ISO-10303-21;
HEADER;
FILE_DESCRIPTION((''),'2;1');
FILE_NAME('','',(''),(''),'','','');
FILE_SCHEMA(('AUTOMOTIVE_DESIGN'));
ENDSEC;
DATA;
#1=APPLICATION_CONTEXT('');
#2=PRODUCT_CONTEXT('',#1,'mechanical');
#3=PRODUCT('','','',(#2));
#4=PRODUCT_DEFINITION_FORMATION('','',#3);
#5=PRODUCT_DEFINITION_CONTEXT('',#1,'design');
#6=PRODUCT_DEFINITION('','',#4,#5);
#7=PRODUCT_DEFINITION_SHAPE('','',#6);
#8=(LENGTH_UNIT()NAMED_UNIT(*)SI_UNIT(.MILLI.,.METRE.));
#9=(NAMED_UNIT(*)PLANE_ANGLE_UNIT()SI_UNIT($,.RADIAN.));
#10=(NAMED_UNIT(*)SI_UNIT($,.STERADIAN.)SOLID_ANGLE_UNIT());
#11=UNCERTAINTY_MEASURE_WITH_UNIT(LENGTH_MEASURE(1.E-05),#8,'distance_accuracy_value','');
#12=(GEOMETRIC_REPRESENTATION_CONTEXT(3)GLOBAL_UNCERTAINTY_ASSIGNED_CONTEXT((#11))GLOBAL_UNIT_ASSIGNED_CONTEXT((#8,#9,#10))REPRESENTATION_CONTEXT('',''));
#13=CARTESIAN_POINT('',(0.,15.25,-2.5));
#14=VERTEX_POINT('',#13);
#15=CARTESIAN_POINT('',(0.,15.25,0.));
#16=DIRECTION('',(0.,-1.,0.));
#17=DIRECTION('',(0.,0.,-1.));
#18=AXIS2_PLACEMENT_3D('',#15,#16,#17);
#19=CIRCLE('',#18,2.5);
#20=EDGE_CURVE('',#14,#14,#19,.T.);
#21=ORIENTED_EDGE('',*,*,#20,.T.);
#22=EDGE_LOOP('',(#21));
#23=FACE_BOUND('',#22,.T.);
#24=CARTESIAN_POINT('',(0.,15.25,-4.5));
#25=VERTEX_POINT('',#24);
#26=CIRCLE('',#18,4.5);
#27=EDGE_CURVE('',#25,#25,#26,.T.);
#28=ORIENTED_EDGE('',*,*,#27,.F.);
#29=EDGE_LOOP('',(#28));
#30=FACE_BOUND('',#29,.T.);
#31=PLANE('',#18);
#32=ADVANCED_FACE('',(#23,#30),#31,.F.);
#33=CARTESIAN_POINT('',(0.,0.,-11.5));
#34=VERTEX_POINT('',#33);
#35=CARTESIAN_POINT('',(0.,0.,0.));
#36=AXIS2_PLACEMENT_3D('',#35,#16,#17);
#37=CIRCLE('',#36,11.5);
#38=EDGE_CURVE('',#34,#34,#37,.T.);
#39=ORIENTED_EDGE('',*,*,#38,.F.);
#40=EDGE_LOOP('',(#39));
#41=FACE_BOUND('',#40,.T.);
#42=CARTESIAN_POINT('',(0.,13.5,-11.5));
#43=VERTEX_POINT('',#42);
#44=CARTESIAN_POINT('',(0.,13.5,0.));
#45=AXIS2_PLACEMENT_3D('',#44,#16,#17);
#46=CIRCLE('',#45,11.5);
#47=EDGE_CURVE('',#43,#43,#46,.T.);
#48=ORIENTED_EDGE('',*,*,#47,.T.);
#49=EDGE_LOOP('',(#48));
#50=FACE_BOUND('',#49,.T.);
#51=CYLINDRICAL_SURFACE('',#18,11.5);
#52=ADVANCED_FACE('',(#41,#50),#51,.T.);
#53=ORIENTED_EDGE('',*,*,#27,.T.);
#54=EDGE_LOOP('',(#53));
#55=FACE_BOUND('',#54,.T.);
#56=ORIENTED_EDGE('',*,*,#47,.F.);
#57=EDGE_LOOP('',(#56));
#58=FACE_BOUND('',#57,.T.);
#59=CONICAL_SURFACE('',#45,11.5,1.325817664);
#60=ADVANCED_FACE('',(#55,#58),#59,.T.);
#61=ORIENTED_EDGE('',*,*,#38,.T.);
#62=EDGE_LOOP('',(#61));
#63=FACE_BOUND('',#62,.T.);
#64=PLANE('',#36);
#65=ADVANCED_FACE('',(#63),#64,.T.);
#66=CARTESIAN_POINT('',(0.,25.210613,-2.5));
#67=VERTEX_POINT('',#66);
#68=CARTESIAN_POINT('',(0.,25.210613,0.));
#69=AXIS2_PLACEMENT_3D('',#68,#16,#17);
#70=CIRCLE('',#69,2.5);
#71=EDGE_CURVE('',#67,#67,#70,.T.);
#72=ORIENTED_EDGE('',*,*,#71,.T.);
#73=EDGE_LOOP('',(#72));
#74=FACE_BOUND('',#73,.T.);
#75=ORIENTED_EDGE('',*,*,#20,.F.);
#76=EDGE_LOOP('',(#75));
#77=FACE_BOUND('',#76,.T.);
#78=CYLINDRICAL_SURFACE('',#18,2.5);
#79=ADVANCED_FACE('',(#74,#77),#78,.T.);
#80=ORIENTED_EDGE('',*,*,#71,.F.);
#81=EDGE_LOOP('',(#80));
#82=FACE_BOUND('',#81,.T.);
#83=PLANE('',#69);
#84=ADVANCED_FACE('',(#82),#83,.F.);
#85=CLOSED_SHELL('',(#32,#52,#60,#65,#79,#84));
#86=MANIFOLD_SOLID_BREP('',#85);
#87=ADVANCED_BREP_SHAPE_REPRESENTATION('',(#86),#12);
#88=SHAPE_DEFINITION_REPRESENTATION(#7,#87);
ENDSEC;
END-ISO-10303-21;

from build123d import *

# Parameters (mm, degrees)
SKETCH2_W   = 2.5
SKETCH2_H   = 9.960613413
SKETCH2_W_2 = 11.5
SKETCH2_H_2 = 13.5


with BuildPart() as part:
    # Sketch2 → Revolve1 (revolve)
    with BuildSketch(Plane.XY, mode=Mode.PRIVATE) as revolve1_sk:
        Polygon((-4.5, 15.25), (-11.5, 13.5), (-4.5, 13.5), align=None)
        Polygon((-2.5, 15.25), (-4.5, 15.25), (-4.5, 13.5), (0, 13.5), (0, 15.25), align=None)
        with Locations((-1.25, 20.230306707)):
            Rectangle(SKETCH2_W, SKETCH2_H)
        with Locations((-5.75, 6.75)):
            Rectangle(SKETCH2_W_2, SKETCH2_H_2)
    revolve(revolve1_sk.sketch.rotate(Axis((0, 15.25, 0), (0, 1, 0)), 270), axis=Axis((0, 15.25, 0), (0, 1, 0)))


solid = part.part
